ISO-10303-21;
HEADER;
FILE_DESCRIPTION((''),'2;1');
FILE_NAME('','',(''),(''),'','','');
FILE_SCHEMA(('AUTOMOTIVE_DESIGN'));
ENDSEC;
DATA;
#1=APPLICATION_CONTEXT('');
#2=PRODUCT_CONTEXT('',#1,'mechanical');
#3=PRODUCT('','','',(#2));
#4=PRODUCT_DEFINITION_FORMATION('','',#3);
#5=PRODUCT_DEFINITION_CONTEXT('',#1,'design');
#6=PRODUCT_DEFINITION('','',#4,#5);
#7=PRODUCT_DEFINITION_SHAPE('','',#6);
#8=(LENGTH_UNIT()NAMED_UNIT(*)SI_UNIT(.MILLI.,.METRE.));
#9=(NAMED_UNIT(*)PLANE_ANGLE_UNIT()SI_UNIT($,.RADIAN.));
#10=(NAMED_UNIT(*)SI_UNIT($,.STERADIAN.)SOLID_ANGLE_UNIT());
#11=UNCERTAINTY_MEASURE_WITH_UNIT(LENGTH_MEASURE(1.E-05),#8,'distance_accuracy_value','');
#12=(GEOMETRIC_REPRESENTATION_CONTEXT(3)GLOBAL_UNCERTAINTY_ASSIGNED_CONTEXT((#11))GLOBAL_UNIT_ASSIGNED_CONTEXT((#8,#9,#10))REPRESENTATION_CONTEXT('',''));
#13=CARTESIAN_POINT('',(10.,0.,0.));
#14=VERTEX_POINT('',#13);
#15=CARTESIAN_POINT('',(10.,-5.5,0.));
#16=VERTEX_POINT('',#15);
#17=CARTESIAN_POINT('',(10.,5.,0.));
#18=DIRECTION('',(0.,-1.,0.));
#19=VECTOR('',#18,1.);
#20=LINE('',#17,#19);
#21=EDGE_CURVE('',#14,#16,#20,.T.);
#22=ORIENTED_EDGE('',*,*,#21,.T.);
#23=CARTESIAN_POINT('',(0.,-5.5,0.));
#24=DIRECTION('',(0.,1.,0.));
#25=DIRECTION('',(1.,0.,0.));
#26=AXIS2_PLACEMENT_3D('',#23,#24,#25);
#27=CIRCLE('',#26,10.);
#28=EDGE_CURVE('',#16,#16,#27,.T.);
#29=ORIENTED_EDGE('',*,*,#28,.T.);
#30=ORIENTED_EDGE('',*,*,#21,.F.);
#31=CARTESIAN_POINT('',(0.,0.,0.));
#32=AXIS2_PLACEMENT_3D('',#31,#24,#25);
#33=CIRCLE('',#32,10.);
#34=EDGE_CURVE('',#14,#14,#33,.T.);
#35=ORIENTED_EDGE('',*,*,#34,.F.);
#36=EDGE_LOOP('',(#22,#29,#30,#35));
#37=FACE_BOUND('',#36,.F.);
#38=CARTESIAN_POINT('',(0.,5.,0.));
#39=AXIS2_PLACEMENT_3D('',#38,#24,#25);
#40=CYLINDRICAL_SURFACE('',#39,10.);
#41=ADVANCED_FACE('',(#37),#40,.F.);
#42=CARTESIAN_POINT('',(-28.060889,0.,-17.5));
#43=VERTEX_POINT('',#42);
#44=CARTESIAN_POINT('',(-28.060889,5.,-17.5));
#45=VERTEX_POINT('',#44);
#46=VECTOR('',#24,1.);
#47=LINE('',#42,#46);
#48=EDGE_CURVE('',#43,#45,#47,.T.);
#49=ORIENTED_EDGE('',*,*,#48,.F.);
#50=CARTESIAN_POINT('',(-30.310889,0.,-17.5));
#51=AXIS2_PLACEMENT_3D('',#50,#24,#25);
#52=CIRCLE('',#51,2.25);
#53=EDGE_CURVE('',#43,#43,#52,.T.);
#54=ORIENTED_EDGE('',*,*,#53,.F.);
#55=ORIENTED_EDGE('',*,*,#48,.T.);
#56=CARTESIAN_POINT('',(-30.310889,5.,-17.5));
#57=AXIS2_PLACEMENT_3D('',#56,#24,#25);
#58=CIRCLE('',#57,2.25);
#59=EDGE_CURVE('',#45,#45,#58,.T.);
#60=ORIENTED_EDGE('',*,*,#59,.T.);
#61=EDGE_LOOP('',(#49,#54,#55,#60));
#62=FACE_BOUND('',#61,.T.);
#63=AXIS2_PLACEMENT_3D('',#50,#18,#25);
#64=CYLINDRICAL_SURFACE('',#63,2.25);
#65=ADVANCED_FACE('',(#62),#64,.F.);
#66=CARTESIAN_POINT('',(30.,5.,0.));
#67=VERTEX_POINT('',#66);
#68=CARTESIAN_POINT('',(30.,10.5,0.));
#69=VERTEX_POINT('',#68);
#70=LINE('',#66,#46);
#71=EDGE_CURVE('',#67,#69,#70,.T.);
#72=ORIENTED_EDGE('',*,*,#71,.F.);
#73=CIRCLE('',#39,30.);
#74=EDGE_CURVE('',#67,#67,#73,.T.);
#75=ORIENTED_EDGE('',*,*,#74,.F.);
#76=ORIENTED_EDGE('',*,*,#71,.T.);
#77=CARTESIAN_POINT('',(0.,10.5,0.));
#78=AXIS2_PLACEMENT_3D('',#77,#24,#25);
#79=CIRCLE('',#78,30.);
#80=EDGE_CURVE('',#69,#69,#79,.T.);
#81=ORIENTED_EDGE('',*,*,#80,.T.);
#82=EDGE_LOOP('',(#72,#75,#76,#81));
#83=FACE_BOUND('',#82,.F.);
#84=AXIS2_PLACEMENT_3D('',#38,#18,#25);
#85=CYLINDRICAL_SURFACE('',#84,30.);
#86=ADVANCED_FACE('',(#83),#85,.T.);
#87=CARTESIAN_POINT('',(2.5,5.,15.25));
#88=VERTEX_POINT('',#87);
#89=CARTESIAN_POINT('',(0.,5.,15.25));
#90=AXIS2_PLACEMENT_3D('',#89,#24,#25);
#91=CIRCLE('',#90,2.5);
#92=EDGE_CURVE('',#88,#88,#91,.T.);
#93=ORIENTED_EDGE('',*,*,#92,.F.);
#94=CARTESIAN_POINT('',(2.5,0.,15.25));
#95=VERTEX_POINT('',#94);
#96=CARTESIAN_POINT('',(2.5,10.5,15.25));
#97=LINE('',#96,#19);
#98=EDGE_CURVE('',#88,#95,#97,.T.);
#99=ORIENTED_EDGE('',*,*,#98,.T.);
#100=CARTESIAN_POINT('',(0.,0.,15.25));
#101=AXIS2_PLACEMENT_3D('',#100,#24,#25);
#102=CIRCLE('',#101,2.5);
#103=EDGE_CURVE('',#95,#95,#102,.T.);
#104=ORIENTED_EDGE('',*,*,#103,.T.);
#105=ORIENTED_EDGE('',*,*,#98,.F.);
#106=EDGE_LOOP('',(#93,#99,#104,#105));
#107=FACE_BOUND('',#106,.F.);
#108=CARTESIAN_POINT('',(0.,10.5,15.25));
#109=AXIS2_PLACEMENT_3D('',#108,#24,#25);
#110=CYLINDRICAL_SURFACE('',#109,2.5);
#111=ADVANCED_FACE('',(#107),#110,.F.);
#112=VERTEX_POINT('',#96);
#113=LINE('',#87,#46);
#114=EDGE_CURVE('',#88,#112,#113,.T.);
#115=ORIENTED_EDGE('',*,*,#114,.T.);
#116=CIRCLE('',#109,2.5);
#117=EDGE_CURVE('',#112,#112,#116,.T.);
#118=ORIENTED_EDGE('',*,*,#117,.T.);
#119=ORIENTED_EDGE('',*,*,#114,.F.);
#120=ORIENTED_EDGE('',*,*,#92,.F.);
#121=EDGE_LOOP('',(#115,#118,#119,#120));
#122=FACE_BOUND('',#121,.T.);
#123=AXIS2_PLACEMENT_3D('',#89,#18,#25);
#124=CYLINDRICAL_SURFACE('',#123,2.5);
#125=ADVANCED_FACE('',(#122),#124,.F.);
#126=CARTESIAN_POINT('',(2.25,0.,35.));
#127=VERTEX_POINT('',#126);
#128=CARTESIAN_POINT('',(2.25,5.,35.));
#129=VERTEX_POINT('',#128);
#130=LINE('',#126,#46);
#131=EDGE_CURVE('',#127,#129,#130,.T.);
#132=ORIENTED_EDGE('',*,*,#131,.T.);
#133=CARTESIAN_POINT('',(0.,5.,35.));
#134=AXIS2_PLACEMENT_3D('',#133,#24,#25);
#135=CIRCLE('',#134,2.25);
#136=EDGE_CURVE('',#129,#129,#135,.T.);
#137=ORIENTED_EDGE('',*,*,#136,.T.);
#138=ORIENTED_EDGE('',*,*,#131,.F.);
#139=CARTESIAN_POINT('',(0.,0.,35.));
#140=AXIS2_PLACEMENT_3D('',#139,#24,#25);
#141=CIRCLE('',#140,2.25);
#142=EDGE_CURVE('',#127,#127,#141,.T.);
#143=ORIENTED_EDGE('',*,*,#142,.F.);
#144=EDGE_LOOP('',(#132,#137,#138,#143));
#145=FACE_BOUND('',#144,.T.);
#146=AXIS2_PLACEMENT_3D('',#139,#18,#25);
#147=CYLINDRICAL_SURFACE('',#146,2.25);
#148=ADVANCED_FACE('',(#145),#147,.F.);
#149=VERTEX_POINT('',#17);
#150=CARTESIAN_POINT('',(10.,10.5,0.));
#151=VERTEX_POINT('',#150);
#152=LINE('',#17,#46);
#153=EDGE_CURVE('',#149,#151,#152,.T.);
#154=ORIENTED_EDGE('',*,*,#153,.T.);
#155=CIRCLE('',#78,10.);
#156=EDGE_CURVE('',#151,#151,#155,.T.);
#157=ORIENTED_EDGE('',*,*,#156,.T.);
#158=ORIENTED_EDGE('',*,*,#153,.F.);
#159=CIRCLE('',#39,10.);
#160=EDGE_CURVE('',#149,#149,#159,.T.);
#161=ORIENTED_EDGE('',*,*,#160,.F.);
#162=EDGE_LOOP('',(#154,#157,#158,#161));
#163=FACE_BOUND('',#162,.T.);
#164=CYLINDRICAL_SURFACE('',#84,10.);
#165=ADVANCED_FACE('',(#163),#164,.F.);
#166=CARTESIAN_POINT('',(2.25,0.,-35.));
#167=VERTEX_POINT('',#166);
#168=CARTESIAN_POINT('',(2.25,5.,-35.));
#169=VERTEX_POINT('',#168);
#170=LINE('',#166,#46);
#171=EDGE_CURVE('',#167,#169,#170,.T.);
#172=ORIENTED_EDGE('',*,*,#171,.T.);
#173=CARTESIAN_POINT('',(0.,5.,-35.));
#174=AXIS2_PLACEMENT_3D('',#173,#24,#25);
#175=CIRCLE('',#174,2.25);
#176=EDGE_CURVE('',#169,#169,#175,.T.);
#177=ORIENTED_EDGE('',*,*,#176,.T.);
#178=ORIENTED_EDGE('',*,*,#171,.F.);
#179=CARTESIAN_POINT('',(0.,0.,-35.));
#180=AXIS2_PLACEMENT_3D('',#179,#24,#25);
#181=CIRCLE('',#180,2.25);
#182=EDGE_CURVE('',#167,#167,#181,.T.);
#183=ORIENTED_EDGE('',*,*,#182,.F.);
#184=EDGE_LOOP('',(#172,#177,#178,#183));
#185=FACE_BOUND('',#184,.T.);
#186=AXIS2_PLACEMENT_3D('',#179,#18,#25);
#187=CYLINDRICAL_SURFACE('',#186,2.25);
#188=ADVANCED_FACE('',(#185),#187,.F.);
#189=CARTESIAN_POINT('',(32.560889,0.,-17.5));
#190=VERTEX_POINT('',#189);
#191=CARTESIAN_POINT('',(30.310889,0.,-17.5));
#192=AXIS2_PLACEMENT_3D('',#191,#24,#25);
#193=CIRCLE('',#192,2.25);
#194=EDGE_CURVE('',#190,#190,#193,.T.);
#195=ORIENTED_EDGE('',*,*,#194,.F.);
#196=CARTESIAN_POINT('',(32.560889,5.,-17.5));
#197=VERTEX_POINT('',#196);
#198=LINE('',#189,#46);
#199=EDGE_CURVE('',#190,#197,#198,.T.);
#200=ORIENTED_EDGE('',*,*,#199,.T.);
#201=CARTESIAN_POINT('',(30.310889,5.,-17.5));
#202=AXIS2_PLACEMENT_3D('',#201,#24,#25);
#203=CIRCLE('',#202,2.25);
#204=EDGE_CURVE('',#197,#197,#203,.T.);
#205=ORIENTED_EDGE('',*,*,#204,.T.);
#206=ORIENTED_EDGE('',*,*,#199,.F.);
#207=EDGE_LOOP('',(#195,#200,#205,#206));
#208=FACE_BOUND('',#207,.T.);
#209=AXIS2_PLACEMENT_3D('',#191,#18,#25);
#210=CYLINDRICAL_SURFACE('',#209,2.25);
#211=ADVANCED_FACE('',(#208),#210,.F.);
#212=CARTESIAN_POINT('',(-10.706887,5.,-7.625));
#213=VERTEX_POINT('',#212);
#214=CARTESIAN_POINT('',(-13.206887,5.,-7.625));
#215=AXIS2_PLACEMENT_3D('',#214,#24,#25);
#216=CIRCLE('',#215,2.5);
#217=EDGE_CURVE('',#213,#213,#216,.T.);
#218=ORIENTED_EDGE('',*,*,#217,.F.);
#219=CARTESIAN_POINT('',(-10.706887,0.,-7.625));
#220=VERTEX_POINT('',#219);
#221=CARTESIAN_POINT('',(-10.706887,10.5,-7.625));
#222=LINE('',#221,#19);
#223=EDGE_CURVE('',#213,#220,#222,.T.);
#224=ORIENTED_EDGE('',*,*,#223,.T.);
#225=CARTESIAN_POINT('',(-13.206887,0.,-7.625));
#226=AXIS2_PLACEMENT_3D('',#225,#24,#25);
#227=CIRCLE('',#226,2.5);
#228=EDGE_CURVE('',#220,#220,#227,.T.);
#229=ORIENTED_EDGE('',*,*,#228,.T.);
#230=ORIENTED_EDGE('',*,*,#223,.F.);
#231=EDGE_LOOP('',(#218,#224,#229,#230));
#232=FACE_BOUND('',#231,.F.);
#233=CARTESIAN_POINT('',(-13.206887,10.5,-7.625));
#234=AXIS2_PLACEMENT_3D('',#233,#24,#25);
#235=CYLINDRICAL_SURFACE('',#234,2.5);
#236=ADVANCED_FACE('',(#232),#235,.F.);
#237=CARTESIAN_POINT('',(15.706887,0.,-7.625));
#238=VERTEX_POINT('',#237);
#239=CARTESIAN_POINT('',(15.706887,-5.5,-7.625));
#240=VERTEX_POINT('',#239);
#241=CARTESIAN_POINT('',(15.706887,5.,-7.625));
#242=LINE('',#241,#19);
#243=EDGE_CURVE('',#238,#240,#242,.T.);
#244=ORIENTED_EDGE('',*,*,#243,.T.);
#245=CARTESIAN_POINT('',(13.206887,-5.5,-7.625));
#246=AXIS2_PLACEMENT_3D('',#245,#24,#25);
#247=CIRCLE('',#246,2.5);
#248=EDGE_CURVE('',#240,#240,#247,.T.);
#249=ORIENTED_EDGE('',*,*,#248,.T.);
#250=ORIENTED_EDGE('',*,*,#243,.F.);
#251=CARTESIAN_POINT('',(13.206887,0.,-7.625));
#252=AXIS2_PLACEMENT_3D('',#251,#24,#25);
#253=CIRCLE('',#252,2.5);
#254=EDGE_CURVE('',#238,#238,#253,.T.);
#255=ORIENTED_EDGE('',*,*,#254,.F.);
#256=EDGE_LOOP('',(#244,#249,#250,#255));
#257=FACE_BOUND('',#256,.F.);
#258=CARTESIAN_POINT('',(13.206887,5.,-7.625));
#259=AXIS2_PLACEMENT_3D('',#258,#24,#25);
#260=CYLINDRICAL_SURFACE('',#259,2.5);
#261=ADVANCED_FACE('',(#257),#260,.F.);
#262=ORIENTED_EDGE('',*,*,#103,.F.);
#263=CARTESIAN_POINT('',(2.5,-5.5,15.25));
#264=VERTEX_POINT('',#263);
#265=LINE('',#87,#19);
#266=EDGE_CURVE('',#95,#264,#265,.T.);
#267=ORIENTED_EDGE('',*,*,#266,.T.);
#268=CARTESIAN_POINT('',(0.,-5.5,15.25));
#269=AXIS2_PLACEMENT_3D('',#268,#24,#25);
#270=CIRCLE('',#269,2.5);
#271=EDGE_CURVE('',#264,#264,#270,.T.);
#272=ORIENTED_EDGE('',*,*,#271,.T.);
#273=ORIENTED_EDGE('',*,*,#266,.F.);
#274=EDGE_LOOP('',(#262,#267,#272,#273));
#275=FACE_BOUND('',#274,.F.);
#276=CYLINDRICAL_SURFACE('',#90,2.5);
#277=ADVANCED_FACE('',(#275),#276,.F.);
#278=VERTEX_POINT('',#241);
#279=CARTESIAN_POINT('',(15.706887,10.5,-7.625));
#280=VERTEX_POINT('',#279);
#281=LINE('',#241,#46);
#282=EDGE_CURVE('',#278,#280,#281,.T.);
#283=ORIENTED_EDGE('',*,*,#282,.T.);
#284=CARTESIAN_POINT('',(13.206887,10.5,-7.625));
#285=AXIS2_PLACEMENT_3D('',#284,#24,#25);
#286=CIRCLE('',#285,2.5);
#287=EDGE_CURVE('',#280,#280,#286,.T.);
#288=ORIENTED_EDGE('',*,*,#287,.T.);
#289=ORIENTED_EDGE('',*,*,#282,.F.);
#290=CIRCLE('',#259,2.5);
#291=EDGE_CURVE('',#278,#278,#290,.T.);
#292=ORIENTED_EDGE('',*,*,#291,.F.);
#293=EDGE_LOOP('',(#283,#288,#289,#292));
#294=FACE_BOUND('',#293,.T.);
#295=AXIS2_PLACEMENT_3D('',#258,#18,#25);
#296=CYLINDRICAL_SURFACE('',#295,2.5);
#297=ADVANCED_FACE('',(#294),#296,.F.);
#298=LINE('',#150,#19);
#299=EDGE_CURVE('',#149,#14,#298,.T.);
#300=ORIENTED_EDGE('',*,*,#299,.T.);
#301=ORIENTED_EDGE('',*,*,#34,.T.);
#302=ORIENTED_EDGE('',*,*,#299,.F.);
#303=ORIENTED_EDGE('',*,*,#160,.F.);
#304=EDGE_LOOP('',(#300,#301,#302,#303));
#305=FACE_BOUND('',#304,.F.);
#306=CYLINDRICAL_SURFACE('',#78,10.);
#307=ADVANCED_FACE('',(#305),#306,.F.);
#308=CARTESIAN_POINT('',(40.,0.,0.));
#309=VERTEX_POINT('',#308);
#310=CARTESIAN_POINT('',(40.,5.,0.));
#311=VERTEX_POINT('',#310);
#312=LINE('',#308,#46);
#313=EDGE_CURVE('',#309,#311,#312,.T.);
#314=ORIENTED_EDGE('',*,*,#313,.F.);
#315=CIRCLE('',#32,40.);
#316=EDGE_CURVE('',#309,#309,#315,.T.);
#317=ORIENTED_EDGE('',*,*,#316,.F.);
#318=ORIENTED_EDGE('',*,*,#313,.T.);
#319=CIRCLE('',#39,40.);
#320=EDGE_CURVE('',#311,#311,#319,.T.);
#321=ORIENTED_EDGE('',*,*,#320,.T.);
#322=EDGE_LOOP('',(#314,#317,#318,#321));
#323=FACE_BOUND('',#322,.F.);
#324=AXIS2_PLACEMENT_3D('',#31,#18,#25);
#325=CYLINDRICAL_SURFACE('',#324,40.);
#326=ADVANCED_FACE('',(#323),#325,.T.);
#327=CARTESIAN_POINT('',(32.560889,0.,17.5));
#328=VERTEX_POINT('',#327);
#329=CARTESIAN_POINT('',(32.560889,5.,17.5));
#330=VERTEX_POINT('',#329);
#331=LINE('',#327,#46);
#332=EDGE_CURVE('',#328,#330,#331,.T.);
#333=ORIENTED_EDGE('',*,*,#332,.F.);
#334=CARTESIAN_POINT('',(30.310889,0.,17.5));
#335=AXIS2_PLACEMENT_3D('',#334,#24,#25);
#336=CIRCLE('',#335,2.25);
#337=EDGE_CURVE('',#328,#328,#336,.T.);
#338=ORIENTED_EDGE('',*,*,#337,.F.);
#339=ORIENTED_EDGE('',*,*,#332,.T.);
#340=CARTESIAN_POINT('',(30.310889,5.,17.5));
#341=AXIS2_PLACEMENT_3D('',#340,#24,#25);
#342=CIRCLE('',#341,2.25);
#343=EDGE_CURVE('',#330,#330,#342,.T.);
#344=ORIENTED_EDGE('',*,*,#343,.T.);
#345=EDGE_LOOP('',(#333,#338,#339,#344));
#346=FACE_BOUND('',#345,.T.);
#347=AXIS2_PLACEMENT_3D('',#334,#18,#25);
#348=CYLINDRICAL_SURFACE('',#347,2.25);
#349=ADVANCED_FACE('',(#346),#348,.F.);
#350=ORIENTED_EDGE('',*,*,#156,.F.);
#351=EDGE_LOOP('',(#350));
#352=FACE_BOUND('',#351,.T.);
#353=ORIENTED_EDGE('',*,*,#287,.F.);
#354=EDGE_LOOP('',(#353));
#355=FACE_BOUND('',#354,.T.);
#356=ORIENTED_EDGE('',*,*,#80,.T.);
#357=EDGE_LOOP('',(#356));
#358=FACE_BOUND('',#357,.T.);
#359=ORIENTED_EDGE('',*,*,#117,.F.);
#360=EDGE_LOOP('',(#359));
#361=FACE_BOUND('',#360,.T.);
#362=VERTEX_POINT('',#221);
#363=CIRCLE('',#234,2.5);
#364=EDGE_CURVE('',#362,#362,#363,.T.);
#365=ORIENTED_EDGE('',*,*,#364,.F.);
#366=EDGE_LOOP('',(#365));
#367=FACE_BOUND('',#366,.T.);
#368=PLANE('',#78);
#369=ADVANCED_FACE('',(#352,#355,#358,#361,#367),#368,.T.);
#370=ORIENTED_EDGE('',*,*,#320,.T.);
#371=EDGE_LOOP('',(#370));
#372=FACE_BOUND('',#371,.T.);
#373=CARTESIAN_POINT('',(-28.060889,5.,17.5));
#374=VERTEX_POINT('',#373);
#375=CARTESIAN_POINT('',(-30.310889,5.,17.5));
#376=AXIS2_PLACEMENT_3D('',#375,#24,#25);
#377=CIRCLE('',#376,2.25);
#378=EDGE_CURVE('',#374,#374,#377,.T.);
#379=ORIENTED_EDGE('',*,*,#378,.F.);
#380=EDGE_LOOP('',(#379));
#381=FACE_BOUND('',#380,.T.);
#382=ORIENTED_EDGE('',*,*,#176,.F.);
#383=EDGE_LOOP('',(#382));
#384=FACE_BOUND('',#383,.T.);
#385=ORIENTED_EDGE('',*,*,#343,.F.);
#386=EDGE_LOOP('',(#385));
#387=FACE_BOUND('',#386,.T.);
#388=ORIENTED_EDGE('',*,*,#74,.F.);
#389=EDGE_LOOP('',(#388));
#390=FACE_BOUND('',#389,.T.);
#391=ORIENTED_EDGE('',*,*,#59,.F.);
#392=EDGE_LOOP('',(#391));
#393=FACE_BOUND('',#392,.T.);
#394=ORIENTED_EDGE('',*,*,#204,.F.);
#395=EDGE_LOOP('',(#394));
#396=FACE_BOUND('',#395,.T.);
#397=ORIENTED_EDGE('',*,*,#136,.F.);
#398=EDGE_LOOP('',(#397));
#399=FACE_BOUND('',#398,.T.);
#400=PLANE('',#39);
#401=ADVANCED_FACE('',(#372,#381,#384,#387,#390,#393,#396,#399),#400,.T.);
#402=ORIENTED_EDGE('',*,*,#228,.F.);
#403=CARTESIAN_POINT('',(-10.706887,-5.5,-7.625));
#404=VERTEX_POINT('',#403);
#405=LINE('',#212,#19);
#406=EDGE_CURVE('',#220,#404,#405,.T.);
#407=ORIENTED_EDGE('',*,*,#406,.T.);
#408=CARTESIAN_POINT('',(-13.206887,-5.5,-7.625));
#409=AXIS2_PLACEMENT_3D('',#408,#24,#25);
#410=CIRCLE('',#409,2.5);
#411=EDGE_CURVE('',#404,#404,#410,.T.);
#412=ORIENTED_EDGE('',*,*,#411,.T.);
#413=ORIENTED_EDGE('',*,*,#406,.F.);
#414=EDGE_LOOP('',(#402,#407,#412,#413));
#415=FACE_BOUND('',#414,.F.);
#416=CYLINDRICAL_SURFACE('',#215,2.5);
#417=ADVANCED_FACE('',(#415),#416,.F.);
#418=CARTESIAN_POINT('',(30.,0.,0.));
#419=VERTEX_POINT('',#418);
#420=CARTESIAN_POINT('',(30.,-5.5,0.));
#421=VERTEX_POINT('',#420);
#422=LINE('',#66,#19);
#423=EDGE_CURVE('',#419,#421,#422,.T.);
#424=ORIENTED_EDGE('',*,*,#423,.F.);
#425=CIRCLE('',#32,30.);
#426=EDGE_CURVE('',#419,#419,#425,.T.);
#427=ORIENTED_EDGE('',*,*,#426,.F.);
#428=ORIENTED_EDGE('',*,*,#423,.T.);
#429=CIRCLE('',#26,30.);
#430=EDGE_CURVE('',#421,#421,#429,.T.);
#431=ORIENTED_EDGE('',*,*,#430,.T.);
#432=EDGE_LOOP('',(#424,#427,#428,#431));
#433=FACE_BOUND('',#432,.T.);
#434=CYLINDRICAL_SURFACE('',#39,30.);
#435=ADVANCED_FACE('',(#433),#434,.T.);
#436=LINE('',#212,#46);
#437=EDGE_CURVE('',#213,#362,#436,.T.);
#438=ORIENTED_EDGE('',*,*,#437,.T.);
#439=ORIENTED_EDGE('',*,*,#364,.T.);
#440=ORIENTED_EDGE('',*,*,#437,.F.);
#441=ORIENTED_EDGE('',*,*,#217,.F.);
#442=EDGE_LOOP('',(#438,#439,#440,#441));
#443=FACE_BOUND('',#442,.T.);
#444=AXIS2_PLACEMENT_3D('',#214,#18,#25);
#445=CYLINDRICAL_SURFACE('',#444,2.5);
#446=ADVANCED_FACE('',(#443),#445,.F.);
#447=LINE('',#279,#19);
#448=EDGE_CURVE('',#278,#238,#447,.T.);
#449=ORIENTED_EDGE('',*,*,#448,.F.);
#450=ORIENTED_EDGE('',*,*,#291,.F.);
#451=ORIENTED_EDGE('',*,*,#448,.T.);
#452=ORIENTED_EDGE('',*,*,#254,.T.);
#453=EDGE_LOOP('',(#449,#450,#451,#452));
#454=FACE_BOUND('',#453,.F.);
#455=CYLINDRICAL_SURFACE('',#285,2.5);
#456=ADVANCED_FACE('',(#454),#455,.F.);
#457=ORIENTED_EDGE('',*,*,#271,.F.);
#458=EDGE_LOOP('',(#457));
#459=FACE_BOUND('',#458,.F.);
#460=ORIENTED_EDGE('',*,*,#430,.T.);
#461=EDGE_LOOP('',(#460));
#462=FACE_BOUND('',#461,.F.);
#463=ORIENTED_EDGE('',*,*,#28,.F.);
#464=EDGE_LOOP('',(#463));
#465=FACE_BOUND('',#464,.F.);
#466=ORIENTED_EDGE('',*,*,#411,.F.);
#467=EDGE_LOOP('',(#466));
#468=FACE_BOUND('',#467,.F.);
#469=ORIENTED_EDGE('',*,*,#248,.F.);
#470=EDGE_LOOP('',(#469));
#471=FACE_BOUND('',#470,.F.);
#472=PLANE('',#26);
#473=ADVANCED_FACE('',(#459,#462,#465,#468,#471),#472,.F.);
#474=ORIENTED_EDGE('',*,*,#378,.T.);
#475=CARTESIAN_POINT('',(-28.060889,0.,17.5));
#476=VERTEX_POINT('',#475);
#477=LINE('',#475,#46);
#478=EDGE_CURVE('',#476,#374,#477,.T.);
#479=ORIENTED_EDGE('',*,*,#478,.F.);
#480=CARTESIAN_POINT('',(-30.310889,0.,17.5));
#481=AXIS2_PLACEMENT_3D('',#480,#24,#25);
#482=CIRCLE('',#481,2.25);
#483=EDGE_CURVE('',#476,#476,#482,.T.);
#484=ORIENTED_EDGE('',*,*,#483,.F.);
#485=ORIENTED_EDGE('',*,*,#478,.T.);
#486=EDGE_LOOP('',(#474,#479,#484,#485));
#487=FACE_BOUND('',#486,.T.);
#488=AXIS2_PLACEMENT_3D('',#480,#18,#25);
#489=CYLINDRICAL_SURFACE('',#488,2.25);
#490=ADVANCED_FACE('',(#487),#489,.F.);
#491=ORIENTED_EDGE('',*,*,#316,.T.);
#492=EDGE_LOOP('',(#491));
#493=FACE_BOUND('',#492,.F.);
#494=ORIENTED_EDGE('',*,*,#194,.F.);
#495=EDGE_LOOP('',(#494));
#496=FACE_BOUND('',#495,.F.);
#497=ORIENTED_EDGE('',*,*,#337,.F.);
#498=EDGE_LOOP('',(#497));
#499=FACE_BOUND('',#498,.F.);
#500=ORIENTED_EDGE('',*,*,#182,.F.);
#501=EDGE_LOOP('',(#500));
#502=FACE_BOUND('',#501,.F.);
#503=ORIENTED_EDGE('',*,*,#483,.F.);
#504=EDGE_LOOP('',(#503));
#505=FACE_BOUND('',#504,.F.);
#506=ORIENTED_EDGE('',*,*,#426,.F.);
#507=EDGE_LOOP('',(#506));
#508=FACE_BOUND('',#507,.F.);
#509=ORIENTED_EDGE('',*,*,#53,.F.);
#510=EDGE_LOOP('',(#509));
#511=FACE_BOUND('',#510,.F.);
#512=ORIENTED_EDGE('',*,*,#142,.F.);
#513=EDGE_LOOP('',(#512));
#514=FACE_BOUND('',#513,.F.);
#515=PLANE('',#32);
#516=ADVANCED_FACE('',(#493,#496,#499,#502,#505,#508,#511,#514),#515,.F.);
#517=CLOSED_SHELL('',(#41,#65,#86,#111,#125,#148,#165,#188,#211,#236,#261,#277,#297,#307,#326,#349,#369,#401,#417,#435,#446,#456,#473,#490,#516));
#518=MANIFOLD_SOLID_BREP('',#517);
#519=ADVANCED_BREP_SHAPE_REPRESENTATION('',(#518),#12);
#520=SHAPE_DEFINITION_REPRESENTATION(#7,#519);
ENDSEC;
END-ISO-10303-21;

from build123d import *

# Parameters (mm, degrees)
SKETCH1_R                = 40
SKETCH1_R_2              = 2.25
BOSS_EXTRUDE1_DEPTH      = 5
SKETCH2_R                = 30
SKETCH2_R_2              = 10
SKETCH2_R_3              = 2.5
BOSS_EXTRUDE2_DEPTH      = 5.5
BOSS_EXTRUDE2_DEPTH_BACK = 10.5
SKETCH3_R                = 2.5
SKETCH3_R_2              = 10
CUT_EXTRUDE1_DEPTH       = 17


with BuildPart() as part:
    # Sketch1 → Boss-Extrude1 (new body)
    with BuildSketch(Plane(origin=(0, 0, 0), x_dir=(1, 0, 0), z_dir=(0, 1, 0))):
        Circle(SKETCH1_R)
        with Locations((0, 35)):
            Circle(SKETCH1_R_2, mode=Mode.SUBTRACT)
        with Locations((30.310889132, 17.5)):
            Circle(SKETCH1_R_2, mode=Mode.SUBTRACT)
        with Locations((30.310889132, -17.5)):
            Circle(SKETCH1_R_2, mode=Mode.SUBTRACT)
        with Locations((0, -35)):
            Circle(SKETCH1_R_2, mode=Mode.SUBTRACT)
        with Locations((-30.310889132, -17.5)):
            Circle(SKETCH1_R_2, mode=Mode.SUBTRACT)
        with Locations((-30.310889132, 17.5)):
            Circle(SKETCH1_R_2, mode=Mode.SUBTRACT)
    extrude(amount=BOSS_EXTRUDE1_DEPTH)

    # Sketch2 → Boss-Extrude2 (add, two sides)
    with BuildSketch(Plane(origin=(0, 5, 0), x_dir=(1, 0, 0), z_dir=(0, 1, 0))) as boss_extrude2_sk:
        Circle(SKETCH2_R)
        Circle(SKETCH2_R_2, mode=Mode.SUBTRACT)
        with Locations((0, -15.25)):
            Circle(SKETCH2_R_3, mode=Mode.SUBTRACT)
        with Locations((-13.206887408, 7.625)):
            Circle(SKETCH2_R_3, mode=Mode.SUBTRACT)
        with Locations((13.206887408, 7.625)):
            Circle(SKETCH2_R_3, mode=Mode.SUBTRACT)
    extrude(amount=BOSS_EXTRUDE2_DEPTH)
    extrude(boss_extrude2_sk.sketch, amount=-BOSS_EXTRUDE2_DEPTH_BACK)

    # Sketch3 → Cut-Extrude1 (cut, through all)
    with BuildSketch(Plane(origin=(0, 10.5, 0), x_dir=(1, 0, 0), z_dir=(0, 1, 0))):
        with Locations((0, -15.25)):
            Circle(SKETCH3_R)
        with Locations((13.206887408, 7.625)):
            Circle(SKETCH3_R)
        Circle(SKETCH3_R_2)
        with Locations((-13.206887408, 7.625)):
            Circle(SKETCH3_R)
    extrude(amount=-CUT_EXTRUDE1_DEPTH, mode=Mode.SUBTRACT)


solid = part.part
